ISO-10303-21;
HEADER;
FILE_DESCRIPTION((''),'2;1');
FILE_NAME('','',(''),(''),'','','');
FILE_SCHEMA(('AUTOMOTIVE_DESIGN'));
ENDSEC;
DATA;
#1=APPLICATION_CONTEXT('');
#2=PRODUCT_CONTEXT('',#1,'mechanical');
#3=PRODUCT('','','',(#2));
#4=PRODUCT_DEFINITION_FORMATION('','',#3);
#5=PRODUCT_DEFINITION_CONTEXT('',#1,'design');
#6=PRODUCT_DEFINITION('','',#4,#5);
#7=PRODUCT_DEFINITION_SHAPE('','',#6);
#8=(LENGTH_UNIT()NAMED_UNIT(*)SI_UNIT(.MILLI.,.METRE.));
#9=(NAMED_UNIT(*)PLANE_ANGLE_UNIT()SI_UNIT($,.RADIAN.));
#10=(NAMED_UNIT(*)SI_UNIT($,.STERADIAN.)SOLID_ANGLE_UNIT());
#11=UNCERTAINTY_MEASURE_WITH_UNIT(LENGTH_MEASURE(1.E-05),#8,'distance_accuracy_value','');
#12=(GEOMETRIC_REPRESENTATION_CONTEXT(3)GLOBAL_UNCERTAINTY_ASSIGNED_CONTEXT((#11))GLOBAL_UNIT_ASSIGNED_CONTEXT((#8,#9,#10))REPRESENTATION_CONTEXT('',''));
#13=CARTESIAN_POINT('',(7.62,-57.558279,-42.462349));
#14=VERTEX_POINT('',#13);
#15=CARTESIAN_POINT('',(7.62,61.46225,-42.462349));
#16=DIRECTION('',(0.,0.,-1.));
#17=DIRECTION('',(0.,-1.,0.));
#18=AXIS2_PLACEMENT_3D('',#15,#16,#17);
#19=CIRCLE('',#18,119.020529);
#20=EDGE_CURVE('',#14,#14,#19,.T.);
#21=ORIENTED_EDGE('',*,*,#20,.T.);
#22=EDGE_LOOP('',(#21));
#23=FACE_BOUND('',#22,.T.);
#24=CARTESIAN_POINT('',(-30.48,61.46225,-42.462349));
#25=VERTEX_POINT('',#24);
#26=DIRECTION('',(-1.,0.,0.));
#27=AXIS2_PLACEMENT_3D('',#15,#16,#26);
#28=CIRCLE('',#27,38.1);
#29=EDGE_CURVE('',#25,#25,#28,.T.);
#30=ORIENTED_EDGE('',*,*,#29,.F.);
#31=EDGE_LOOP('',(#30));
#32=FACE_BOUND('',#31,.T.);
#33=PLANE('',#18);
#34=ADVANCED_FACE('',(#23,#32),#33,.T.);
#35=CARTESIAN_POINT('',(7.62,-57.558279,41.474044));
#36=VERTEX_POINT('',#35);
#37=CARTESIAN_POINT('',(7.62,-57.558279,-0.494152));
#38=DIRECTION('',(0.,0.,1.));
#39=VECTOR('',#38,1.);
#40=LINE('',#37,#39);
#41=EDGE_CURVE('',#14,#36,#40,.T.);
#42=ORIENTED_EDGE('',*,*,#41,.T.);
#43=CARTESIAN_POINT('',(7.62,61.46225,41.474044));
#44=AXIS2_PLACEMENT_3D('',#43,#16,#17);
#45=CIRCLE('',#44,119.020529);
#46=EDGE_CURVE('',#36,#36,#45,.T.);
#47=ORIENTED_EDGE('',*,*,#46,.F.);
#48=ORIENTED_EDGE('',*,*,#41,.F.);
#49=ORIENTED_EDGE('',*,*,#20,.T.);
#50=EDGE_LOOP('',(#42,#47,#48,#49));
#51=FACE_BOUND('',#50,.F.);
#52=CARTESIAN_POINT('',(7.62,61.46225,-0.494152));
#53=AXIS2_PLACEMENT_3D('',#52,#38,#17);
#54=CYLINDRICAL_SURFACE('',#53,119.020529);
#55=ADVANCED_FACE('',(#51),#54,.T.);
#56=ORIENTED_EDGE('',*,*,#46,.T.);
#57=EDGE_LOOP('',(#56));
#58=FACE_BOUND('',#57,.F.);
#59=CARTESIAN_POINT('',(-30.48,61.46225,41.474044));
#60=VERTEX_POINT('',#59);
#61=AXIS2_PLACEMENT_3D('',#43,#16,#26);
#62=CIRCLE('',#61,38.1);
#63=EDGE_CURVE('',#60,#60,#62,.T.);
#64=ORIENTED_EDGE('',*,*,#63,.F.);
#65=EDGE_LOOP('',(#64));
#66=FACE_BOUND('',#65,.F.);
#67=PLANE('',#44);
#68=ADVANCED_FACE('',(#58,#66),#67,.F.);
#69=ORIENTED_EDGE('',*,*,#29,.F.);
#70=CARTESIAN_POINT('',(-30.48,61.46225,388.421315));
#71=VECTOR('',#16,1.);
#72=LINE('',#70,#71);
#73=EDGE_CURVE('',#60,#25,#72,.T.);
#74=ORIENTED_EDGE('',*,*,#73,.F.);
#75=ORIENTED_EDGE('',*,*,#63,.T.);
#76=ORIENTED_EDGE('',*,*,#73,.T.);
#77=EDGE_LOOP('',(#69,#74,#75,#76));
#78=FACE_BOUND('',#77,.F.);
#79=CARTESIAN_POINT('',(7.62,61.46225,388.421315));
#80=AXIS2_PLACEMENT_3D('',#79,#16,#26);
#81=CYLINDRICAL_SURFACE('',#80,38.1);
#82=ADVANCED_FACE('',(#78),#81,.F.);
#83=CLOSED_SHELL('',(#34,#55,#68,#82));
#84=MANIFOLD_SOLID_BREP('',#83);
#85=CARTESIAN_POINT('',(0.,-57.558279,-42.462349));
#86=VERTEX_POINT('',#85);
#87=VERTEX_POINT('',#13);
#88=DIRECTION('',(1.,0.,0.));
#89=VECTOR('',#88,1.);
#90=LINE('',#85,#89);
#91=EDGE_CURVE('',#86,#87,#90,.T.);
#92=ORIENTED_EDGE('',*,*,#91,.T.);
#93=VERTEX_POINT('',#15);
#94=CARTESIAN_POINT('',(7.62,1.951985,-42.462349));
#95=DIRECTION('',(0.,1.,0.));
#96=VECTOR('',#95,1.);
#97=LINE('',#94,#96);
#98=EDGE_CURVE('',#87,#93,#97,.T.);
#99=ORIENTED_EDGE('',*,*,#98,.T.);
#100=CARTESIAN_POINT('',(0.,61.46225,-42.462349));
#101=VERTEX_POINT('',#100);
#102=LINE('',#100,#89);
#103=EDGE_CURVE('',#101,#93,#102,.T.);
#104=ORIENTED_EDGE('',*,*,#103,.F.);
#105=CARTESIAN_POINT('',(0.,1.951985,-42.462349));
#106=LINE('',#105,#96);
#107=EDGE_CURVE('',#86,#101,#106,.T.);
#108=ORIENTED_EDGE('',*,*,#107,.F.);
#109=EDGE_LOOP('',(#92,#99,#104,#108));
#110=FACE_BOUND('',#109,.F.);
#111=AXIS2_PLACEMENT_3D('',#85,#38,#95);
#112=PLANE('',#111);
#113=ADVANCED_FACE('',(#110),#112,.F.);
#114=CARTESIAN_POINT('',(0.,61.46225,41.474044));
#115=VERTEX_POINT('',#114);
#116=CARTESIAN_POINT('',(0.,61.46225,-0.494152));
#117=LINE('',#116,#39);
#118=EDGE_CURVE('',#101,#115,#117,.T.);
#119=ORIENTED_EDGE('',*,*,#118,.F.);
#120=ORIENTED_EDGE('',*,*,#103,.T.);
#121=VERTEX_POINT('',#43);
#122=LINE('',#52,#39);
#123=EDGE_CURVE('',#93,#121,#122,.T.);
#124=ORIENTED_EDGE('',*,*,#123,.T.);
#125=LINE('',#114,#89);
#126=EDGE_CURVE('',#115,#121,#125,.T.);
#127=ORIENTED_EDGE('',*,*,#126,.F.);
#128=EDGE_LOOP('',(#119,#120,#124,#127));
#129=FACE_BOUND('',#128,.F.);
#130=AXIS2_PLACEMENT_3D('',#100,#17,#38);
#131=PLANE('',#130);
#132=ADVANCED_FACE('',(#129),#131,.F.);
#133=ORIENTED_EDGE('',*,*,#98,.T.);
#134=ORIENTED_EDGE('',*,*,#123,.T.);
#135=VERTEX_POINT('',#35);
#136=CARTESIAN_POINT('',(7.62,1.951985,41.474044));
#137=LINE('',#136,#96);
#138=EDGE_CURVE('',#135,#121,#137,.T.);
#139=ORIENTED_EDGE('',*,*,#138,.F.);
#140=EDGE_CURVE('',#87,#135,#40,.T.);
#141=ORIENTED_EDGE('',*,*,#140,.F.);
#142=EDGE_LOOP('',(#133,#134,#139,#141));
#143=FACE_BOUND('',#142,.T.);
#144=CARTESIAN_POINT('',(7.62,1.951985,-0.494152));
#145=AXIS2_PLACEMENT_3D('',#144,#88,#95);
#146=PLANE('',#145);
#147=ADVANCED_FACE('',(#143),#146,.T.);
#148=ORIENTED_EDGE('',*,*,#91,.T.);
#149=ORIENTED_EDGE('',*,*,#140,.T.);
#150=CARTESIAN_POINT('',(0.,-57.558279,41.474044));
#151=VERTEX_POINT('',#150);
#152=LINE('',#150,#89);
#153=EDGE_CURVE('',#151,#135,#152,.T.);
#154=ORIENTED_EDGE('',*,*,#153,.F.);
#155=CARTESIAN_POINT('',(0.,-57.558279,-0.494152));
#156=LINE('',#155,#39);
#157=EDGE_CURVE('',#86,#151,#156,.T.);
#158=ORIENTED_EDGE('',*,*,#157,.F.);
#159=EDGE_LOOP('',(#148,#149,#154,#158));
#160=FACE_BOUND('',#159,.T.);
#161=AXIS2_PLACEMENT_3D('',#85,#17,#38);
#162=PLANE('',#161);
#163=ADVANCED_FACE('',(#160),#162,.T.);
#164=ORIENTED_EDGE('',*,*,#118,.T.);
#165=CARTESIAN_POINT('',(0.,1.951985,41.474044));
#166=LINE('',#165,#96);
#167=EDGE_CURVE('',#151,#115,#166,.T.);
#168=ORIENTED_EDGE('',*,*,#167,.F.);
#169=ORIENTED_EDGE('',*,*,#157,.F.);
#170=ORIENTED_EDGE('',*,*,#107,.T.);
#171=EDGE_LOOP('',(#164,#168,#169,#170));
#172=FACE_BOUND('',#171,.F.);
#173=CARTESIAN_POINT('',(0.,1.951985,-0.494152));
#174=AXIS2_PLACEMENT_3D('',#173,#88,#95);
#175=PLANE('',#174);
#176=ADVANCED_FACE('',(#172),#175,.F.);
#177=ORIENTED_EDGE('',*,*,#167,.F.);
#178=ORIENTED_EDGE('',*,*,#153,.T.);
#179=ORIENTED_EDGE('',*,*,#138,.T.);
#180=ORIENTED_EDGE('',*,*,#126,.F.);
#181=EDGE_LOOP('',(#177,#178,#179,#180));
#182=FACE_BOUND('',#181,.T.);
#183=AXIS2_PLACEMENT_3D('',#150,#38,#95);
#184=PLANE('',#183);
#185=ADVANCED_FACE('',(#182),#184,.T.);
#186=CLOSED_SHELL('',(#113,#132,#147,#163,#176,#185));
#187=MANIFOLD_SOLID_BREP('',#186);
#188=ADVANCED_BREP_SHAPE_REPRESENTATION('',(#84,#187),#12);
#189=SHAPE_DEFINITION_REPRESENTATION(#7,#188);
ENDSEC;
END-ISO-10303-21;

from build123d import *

# Parameters (mm, degrees)
F0_W      = 119.0205290914
F0_H      = 83.936393261
F1_DEPTH  = 7.62
F1_FACE_W = 119.0205290914
F1_FACE_H = 83.936393261
F4_D      = 76.2


with BuildPart() as f1:
    # F0 (on Right) → F1 (new body)
    with BuildSketch(Plane.YZ):
        with Locations((1.9519850612, -0.4941523075)):
            Rectangle(F0_W, F0_H)
    extrude(amount=F1_DEPTH)


with BuildPart() as f2:
    # F1_face (on face) → F2 (revolve)
    with BuildSketch(Plane(origin=(7.62, 1.9519850612, -0.4941523075), x_dir=(0, 1, 0), z_dir=(1, 0, 0))):
        Rectangle(F1_FACE_W, F1_FACE_H)
    revolve(axis=Axis((7.62, 61.4622496068, -0.4941523075), (0, 0, -1)))

    # F4 (through all)
    with Locations(Plane.XY.offset(41.474044323)):
        with Locations((7.62, 61.4622496068)):
            Hole(F4_D / 2)


solid = Compound([f1.part, f2.part])
